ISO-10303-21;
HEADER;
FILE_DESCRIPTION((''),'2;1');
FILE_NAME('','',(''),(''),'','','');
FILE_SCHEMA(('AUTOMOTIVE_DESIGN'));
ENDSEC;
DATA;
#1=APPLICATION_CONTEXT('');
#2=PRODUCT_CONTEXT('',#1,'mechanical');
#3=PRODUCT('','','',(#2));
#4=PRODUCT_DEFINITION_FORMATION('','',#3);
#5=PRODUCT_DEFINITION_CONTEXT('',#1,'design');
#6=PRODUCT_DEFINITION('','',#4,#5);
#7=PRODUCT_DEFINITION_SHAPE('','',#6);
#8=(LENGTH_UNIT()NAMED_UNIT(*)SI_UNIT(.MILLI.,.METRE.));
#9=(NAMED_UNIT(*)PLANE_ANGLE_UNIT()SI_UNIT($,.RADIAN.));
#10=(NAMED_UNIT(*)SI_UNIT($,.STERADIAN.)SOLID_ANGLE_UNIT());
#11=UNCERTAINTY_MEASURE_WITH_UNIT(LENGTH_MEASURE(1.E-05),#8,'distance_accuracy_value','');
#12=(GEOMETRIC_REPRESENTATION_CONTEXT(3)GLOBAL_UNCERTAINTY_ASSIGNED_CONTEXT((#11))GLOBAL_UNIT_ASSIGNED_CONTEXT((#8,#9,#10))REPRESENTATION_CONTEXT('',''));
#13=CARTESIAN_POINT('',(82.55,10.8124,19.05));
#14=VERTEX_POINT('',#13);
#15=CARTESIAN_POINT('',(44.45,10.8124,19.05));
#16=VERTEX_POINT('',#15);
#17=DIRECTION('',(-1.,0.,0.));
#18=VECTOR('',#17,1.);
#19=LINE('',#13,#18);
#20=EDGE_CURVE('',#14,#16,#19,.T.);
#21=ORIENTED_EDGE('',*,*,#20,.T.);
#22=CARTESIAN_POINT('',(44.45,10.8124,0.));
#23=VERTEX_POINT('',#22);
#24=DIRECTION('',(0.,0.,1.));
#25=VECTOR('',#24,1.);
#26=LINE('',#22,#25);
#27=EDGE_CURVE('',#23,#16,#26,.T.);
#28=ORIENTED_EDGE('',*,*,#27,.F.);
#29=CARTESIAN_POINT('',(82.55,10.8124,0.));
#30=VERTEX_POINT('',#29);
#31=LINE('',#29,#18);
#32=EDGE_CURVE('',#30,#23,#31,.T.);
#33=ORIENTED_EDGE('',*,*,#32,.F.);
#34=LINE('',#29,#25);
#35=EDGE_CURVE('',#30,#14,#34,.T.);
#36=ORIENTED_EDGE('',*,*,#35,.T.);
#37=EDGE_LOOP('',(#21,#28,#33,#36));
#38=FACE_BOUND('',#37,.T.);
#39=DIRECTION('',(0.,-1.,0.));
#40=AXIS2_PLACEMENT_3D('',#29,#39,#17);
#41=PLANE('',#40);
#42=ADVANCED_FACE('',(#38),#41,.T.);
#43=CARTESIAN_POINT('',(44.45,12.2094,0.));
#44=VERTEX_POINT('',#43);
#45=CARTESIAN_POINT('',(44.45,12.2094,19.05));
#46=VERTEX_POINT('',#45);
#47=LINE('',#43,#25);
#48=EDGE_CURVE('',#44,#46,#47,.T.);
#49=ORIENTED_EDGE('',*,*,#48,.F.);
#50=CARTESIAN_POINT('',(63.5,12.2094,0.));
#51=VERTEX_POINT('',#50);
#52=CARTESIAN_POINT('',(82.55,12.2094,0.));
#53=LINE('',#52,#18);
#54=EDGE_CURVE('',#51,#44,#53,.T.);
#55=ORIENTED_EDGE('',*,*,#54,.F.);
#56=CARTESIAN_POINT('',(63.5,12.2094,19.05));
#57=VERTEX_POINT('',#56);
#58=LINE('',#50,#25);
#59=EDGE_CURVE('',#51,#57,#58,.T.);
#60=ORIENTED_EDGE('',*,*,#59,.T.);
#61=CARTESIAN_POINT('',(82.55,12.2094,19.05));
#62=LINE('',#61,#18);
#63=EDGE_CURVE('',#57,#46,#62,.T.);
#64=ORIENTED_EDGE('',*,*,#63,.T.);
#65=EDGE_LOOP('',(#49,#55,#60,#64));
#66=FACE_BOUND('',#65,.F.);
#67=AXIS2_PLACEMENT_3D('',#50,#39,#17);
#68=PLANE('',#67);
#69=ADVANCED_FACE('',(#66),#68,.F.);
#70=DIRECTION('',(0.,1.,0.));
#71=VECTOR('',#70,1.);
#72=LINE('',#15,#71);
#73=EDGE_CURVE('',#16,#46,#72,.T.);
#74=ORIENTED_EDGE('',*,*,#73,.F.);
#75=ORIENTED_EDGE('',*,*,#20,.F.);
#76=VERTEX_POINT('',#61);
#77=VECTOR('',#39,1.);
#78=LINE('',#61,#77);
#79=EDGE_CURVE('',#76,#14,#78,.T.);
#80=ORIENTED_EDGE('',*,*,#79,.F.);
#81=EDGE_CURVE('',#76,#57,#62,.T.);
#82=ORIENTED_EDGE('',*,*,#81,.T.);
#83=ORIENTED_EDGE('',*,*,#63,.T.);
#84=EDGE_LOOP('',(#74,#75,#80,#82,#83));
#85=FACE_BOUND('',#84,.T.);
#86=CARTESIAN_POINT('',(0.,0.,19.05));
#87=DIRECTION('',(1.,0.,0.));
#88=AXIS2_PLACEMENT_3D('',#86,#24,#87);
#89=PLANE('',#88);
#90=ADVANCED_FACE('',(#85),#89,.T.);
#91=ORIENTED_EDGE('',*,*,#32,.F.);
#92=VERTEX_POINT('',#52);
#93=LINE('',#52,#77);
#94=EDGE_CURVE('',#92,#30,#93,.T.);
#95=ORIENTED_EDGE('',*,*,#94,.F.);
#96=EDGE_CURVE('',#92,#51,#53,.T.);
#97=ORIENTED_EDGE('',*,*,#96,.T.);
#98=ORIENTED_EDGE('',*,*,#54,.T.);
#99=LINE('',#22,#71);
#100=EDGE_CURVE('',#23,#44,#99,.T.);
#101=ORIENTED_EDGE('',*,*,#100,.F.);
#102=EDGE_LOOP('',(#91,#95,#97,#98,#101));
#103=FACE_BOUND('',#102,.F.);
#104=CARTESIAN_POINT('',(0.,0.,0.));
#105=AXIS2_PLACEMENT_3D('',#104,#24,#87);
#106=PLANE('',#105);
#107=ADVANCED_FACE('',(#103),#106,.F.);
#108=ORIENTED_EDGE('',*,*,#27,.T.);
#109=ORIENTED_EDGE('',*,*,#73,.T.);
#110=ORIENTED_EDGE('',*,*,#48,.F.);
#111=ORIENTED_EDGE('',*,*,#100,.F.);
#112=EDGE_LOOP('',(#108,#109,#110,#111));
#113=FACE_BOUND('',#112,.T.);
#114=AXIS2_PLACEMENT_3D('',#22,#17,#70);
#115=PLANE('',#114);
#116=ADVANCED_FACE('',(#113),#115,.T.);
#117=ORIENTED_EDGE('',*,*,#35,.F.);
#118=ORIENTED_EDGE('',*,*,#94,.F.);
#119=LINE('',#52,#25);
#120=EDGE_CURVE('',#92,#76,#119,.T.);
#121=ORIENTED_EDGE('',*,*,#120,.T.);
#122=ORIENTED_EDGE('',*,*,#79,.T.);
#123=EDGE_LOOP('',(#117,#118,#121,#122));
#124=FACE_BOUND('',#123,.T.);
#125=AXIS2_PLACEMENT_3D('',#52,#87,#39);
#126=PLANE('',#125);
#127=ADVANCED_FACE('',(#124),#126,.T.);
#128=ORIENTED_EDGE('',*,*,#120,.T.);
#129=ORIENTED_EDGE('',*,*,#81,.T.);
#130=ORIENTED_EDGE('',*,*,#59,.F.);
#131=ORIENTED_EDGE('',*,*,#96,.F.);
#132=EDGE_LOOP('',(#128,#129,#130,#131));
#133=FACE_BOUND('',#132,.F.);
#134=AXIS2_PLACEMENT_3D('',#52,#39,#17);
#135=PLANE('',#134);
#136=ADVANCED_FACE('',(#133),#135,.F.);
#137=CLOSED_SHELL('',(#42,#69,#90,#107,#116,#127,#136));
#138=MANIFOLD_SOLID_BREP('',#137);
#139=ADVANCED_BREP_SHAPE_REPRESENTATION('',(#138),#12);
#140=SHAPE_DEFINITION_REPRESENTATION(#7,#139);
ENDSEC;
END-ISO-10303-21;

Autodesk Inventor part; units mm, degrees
ref_plane "YZ Plane" through (0, 0, 0) normal (1, 0, 0) x (0, 1, 0)
ref_plane "XZ Plane" through (0, 0, 0) normal (0, 1, 0) x (-1, 0, 0)
ref_plane "XY Plane" through (0, 0, 0) normal (0, 0, 1) x (1, 0, 0)
sketch "Sketch1" plane through (0, 0, 0) normal (0, 0, 1) x (1, 0, 0)
  line L0 (82.55, 12.2094) -> (44.45, 12.2094)
  line L1 (44.45, 12.2094) -> (63.5, 12.2094)
  line L2 (82.55, 12.2094) -> (82.55, 10.8124)
  line L3 (82.55, 10.8124) -> (44.45, 10.8124)
  line L4 (44.45, 10.8124) -> (44.45, 12.2094)
extrude "Extrusion1" add sketch "Sketch1" along normal blind 19.05
properties part number "Tabs 1 inch"
